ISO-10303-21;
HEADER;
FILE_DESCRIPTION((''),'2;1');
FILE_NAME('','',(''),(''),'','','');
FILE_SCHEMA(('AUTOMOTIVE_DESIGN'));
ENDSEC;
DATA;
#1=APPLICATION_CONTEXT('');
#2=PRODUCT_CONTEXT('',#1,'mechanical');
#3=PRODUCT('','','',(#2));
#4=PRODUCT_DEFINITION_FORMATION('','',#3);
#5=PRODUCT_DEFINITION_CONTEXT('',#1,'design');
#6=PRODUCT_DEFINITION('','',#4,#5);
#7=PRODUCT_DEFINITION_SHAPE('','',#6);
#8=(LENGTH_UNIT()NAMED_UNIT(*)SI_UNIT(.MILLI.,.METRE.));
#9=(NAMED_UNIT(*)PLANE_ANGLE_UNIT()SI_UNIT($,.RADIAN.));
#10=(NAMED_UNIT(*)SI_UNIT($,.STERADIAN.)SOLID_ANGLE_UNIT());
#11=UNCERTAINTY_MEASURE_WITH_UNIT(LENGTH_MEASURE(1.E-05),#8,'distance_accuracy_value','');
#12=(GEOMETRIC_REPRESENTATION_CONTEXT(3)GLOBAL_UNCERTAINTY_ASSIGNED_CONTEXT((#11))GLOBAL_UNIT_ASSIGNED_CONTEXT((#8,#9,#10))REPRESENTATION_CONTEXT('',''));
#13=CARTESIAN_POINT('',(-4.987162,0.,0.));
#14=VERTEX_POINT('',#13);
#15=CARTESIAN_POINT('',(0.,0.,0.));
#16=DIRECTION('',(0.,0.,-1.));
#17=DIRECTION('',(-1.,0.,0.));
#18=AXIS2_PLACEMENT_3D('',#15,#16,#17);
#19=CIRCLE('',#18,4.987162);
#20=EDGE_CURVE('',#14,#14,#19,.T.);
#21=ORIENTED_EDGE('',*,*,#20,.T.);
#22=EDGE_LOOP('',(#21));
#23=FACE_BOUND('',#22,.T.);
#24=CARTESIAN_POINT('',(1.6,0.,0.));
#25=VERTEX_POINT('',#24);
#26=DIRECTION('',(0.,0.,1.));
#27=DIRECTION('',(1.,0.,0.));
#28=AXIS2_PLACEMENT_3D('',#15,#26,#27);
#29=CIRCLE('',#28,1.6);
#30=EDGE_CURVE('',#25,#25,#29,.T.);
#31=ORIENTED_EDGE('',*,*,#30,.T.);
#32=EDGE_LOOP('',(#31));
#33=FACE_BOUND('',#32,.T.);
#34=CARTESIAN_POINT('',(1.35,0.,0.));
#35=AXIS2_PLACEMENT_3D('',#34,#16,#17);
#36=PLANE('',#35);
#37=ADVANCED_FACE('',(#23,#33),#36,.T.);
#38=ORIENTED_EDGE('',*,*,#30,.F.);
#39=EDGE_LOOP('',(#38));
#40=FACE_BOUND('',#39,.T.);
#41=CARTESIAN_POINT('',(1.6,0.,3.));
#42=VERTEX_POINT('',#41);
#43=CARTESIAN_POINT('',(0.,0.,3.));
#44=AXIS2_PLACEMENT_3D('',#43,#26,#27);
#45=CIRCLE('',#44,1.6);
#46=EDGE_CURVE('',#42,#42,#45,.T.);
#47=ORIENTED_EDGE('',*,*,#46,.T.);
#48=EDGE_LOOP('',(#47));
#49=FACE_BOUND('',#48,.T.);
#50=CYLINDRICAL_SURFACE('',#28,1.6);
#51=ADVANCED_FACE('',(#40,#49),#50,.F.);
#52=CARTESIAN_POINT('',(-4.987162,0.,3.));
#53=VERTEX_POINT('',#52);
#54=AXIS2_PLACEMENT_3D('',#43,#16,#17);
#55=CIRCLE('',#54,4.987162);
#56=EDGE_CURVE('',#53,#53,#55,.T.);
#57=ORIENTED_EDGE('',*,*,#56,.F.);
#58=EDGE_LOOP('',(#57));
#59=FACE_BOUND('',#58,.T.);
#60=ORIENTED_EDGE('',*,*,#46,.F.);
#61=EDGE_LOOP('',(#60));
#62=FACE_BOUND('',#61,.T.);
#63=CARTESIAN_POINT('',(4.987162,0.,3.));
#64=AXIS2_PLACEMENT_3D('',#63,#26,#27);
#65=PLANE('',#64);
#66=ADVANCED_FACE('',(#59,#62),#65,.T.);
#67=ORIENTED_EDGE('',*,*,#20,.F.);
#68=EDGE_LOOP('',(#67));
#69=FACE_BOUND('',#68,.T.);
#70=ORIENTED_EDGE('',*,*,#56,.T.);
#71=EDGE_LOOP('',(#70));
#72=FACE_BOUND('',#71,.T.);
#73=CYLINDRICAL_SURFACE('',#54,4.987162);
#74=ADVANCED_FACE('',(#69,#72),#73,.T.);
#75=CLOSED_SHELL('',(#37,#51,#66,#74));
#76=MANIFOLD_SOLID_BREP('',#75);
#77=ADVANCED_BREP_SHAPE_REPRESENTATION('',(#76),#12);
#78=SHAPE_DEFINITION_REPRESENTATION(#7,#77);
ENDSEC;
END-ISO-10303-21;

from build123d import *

# Parameters (mm, degrees)
SKETCH_1_W          = 3.637162012
SKETCH_1_H          = 3
SKETCH_2_R          = 1.6
CUT_EXTRUDE_1_DEPTH = 8.664435392


with BuildPart() as part:
    # 草图1 → 旋转1 (revolve)
    with BuildSketch(Plane.XZ, mode=Mode.PRIVATE) as revolve_1_sk:
        with Locations((3.168581006, 1.5)):
            Rectangle(SKETCH_1_W, SKETCH_1_H)
    revolve(revolve_1_sk.sketch.rotate(Axis((0, 0, 3), (0, 0, -1)), 180), axis=Axis((0, 0, 3), (0, 0, -1)))

    # 草图2 → 切除-拉伸1 (cut, through all)
    with BuildSketch(Plane.XY.offset(3)):
        Circle(SKETCH_2_R)
    extrude(amount=-CUT_EXTRUDE_1_DEPTH, mode=Mode.SUBTRACT)


solid = part.part
